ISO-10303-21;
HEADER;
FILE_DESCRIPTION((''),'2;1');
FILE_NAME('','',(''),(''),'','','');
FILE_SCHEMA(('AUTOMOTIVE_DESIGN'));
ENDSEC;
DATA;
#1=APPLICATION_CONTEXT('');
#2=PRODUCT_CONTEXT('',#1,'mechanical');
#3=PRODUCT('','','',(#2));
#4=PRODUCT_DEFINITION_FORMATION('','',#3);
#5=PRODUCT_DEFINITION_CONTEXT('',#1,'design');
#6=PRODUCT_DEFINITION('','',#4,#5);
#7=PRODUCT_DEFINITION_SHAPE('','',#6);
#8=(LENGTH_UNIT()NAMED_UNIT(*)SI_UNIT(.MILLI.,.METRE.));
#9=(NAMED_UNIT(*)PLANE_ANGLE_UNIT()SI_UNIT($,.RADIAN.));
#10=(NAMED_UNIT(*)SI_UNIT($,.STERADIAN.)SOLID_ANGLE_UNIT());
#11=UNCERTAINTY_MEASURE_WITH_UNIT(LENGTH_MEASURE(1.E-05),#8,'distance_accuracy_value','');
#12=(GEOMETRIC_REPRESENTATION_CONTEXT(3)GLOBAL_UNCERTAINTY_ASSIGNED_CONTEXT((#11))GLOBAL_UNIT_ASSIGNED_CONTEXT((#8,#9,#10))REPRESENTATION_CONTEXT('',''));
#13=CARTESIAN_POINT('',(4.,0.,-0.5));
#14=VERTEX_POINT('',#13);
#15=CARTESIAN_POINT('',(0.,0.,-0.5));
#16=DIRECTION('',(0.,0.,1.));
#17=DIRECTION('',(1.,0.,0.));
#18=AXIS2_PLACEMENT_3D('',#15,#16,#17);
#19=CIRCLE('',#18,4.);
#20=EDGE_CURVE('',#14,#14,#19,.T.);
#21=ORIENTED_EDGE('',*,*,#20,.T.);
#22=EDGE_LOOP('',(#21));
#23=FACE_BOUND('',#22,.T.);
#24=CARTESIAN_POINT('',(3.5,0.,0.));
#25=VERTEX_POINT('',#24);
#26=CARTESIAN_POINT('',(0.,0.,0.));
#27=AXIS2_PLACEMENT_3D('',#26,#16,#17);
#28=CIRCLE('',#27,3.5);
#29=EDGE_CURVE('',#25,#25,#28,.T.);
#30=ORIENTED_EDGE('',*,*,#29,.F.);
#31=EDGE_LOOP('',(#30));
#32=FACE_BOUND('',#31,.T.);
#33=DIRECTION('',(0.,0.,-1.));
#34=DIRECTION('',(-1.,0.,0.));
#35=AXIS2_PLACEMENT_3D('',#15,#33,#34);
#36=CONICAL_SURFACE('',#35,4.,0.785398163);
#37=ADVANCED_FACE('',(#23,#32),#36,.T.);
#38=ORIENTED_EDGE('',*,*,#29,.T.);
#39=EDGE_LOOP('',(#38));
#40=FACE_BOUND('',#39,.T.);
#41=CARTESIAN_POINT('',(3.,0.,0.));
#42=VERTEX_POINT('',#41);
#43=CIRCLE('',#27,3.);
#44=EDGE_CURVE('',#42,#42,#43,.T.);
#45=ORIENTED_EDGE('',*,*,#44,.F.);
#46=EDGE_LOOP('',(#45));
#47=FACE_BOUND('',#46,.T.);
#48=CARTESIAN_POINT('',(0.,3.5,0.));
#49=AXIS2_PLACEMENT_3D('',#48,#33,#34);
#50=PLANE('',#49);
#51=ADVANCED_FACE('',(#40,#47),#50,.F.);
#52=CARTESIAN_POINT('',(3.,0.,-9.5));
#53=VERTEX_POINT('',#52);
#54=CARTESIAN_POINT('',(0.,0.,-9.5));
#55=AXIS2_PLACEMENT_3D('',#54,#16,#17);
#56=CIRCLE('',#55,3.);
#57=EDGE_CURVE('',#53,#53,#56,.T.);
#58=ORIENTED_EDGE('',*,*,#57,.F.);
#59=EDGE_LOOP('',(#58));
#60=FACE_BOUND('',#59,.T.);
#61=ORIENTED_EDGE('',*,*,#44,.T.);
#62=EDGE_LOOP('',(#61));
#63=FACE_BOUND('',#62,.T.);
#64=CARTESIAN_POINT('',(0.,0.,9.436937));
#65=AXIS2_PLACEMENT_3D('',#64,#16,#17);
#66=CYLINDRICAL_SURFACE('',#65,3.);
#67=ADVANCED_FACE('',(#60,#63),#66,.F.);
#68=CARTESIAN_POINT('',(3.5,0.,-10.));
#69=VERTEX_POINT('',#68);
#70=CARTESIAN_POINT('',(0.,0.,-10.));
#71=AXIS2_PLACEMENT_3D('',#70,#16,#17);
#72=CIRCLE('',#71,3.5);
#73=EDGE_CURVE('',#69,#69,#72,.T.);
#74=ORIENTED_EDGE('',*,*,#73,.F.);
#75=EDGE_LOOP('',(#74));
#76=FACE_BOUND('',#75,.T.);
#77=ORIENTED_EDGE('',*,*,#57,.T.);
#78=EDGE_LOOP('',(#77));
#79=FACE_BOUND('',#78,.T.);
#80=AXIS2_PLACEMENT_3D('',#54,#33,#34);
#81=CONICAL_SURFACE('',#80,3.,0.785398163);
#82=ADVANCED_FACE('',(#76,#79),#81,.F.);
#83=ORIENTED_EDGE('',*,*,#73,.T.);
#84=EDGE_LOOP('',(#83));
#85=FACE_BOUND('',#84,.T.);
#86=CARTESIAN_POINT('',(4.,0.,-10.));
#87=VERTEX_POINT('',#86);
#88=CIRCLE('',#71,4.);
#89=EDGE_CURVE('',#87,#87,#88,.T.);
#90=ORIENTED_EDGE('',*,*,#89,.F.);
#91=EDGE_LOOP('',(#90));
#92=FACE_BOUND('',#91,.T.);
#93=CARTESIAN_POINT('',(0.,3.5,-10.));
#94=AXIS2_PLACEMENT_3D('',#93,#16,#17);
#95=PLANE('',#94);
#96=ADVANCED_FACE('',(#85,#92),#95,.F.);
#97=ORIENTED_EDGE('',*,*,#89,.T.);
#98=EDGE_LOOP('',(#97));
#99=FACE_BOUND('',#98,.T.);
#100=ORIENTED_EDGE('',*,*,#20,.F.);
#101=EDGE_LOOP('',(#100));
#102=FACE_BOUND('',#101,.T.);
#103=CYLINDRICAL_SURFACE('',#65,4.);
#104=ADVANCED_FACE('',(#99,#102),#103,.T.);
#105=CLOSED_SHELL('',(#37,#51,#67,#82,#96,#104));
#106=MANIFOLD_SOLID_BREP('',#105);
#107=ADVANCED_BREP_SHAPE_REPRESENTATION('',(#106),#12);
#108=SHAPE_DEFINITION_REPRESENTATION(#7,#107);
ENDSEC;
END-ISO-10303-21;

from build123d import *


with BuildPart() as part:
    # 草圖2 → 旋轉1 (revolve)
    with BuildSketch(Plane(origin=(0, 0, 0), x_dir=(0, 0, -1), z_dir=(1, 0, 0))):
        Polygon((0.5, 4), (10, 4), (10, 3.5), (9.5, 3), (0, 3), (0, 3.5), align=None)
    revolve(axis=Axis((0, 0, 9.436936937), (0, 0, -1)))


solid = part.part
